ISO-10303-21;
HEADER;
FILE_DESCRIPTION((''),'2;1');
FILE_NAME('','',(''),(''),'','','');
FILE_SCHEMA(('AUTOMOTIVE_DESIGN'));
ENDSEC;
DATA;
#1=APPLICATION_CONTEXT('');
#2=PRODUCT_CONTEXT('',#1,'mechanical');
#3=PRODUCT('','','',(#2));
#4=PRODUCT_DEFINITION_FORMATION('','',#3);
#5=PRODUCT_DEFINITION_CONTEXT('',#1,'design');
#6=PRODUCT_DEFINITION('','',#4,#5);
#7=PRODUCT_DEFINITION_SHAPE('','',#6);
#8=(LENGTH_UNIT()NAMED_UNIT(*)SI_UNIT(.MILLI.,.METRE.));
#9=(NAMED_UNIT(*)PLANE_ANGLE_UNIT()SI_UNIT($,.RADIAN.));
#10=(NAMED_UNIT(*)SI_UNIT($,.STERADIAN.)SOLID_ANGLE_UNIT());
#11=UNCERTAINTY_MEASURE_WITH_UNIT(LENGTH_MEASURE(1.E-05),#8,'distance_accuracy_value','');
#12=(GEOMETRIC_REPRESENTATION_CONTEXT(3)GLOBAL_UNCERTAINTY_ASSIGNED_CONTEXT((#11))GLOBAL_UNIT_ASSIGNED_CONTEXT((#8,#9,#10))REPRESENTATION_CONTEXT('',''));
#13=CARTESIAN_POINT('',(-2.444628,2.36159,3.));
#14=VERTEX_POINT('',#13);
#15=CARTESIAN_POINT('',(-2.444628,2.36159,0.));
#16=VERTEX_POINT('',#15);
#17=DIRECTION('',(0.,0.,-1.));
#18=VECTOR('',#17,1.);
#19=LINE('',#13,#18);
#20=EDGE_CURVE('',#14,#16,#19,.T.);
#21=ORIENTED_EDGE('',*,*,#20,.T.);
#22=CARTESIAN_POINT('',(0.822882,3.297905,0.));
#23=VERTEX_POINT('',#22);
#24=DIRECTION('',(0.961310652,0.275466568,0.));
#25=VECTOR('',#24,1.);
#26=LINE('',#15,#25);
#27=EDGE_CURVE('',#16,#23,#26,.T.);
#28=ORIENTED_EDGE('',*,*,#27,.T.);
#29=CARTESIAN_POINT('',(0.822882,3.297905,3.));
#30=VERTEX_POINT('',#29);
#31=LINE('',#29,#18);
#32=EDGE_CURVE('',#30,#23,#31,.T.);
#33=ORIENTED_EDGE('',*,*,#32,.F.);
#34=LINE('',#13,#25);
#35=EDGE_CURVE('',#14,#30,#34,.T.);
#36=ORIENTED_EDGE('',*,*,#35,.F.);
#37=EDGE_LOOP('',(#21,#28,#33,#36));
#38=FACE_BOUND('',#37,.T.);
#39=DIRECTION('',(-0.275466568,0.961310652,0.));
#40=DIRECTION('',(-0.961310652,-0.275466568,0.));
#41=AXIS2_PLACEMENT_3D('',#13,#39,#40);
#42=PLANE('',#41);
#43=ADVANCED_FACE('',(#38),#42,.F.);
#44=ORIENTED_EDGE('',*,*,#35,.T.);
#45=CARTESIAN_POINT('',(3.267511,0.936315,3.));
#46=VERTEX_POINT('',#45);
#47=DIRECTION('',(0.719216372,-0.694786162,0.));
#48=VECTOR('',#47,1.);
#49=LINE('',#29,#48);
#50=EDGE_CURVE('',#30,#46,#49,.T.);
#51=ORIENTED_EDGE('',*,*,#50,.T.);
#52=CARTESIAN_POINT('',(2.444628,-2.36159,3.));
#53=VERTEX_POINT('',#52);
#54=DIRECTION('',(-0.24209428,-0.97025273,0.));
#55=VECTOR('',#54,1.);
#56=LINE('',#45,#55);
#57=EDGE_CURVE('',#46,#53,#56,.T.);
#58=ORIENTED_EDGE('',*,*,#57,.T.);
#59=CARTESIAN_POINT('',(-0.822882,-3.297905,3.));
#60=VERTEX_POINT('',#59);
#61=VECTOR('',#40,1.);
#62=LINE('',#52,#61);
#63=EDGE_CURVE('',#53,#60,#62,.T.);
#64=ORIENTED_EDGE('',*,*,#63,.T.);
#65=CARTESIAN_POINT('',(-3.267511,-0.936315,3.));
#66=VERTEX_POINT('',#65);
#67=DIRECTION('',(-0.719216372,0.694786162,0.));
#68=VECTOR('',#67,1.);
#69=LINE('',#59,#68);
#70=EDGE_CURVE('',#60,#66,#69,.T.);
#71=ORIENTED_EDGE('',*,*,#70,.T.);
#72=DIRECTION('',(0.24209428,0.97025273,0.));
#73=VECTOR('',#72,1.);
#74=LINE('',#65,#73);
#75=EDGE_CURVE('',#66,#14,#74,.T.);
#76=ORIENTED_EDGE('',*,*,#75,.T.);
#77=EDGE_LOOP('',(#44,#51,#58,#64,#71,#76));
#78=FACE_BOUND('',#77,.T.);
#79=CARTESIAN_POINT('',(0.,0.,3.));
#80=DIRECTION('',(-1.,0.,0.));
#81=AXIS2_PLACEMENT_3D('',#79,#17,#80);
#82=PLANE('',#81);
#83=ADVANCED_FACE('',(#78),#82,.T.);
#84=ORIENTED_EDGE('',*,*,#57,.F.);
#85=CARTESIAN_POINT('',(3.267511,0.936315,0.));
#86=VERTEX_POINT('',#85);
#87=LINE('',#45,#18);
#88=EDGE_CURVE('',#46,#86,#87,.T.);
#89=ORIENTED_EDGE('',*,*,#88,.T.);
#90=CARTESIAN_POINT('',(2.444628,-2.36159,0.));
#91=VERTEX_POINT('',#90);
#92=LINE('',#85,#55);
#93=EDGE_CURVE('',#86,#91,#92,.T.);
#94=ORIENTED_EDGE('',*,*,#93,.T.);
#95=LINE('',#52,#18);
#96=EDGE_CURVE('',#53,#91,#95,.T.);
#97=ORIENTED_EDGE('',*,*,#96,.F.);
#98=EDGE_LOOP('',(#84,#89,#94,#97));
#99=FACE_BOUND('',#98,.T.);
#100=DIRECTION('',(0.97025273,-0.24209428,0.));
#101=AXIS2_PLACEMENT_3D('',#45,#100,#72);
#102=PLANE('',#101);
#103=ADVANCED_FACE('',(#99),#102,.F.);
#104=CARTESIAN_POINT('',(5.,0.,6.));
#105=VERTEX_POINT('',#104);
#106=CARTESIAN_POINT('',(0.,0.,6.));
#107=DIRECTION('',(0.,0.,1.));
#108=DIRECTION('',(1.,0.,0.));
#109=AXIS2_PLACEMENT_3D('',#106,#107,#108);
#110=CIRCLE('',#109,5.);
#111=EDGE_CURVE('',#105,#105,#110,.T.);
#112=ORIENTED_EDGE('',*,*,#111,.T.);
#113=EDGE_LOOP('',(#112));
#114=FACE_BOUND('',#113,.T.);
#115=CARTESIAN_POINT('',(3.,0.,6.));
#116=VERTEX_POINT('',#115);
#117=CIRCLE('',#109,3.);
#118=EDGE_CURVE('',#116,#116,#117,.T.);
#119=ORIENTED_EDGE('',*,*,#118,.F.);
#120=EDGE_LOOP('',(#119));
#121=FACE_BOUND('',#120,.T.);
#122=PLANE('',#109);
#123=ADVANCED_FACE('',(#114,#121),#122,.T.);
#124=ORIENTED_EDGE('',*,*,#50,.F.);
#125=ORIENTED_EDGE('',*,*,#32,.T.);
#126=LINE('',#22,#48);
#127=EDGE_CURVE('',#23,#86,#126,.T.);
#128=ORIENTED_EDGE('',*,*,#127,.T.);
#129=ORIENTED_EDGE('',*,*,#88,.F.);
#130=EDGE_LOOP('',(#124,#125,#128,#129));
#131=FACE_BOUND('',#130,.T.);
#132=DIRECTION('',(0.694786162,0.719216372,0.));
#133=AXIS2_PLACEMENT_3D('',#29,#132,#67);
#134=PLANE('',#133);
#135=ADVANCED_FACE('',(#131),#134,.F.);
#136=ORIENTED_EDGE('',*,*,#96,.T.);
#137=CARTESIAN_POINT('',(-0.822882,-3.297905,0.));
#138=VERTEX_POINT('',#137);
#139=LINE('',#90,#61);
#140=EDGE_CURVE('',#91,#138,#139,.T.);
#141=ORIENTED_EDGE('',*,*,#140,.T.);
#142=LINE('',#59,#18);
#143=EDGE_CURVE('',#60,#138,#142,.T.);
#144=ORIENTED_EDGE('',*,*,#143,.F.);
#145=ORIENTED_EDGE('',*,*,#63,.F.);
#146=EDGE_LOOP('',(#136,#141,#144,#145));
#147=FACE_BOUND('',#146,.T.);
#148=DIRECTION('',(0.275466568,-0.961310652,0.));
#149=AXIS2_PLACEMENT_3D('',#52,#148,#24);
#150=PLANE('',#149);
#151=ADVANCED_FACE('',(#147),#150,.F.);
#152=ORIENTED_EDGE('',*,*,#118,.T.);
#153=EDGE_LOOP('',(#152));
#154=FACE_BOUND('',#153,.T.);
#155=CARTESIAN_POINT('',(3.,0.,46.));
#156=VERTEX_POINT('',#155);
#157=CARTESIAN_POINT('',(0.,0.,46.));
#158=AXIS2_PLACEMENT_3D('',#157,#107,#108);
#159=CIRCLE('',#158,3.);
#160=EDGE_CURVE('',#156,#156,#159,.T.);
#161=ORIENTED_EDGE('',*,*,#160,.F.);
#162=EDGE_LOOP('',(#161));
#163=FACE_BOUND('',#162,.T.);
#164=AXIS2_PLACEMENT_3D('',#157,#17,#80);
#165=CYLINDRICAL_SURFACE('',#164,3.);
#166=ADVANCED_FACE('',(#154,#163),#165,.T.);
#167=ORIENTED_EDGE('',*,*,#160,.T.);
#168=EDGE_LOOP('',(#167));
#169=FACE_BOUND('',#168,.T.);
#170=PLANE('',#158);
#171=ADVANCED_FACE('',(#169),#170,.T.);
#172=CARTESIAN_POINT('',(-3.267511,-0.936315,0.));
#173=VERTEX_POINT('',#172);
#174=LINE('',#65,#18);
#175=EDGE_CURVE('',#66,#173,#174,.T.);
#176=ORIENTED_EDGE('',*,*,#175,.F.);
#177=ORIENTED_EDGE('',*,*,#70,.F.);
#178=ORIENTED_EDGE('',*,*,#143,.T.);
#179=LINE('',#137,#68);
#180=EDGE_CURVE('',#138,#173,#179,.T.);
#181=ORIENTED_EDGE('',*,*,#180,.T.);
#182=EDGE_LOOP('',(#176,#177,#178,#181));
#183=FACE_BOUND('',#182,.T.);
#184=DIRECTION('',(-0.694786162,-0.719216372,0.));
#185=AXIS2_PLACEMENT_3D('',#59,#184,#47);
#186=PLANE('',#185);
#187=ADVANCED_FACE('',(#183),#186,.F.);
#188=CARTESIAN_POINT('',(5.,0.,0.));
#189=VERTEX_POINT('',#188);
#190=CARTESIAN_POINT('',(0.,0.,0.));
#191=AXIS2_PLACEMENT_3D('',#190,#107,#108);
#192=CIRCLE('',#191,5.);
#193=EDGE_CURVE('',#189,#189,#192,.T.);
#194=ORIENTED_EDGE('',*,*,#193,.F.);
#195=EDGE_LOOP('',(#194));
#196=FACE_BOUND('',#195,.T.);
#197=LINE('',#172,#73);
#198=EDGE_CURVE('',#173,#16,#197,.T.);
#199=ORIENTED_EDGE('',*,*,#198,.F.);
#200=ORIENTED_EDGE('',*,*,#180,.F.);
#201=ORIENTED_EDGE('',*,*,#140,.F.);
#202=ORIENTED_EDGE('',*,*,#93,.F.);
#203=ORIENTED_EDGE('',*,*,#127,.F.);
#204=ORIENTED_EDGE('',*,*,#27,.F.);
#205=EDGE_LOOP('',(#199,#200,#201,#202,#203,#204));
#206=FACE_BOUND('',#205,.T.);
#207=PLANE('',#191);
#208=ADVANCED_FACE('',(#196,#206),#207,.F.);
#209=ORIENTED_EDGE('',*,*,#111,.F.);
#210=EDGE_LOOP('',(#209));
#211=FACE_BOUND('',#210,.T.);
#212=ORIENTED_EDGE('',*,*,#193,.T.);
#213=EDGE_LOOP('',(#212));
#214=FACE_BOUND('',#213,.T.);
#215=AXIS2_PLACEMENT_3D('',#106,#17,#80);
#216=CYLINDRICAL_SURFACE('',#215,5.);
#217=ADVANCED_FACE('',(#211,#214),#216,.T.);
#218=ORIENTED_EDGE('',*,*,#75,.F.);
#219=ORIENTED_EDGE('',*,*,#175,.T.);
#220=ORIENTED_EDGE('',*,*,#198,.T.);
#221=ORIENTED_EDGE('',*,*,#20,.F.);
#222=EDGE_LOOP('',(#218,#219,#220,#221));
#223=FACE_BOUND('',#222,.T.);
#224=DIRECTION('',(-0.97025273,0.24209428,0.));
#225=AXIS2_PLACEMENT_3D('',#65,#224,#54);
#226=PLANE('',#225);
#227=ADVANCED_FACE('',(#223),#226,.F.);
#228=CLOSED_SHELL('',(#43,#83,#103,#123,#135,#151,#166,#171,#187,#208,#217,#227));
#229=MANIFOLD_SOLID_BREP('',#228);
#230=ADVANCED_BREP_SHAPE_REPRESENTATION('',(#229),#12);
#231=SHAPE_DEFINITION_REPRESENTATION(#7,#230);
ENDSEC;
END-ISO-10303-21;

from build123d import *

# Parameters (mm, degrees)
SKETCH_1_R          = 5
EXTRUDE_1_DEPTH     = 6
SKETCH_2_R          = 3
EXTRUDE_2_DEPTH     = 40
CUT_EXTRUDE_1_DEPTH = 3


with BuildPart() as part:
    # ｽｹｯﾁ1 → ﾎﾞｽ - 押し出し1 (new body)
    with BuildSketch(Plane.XY):
        Circle(SKETCH_1_R)
    extrude(amount=EXTRUDE_1_DEPTH)

    # ｽｹｯﾁ2 → ﾎﾞｽ - 押し出し2 (add)
    with BuildSketch(Plane.XY.offset(6)):
        Circle(SKETCH_2_R)
    extrude(amount=EXTRUDE_2_DEPTH)

    # ｽｹｯﾁ3 → ｶｯﾄ - 押し出し1 (cut)
    with BuildSketch(Plane(origin=(0, 0, 0), x_dir=(-1, 0, 0), z_dir=(0, 0, -1))):
        Polygon((2.444628194, 2.36158951), (-0.822882412, 3.297904873), (-3.267510606, 0.936315364), (-2.444628194, -2.36158951), (0.822882412, -3.297904873), (3.267510606, -0.936315364), align=None)
    extrude(amount=-CUT_EXTRUDE_1_DEPTH, mode=Mode.SUBTRACT)


solid = part.part
